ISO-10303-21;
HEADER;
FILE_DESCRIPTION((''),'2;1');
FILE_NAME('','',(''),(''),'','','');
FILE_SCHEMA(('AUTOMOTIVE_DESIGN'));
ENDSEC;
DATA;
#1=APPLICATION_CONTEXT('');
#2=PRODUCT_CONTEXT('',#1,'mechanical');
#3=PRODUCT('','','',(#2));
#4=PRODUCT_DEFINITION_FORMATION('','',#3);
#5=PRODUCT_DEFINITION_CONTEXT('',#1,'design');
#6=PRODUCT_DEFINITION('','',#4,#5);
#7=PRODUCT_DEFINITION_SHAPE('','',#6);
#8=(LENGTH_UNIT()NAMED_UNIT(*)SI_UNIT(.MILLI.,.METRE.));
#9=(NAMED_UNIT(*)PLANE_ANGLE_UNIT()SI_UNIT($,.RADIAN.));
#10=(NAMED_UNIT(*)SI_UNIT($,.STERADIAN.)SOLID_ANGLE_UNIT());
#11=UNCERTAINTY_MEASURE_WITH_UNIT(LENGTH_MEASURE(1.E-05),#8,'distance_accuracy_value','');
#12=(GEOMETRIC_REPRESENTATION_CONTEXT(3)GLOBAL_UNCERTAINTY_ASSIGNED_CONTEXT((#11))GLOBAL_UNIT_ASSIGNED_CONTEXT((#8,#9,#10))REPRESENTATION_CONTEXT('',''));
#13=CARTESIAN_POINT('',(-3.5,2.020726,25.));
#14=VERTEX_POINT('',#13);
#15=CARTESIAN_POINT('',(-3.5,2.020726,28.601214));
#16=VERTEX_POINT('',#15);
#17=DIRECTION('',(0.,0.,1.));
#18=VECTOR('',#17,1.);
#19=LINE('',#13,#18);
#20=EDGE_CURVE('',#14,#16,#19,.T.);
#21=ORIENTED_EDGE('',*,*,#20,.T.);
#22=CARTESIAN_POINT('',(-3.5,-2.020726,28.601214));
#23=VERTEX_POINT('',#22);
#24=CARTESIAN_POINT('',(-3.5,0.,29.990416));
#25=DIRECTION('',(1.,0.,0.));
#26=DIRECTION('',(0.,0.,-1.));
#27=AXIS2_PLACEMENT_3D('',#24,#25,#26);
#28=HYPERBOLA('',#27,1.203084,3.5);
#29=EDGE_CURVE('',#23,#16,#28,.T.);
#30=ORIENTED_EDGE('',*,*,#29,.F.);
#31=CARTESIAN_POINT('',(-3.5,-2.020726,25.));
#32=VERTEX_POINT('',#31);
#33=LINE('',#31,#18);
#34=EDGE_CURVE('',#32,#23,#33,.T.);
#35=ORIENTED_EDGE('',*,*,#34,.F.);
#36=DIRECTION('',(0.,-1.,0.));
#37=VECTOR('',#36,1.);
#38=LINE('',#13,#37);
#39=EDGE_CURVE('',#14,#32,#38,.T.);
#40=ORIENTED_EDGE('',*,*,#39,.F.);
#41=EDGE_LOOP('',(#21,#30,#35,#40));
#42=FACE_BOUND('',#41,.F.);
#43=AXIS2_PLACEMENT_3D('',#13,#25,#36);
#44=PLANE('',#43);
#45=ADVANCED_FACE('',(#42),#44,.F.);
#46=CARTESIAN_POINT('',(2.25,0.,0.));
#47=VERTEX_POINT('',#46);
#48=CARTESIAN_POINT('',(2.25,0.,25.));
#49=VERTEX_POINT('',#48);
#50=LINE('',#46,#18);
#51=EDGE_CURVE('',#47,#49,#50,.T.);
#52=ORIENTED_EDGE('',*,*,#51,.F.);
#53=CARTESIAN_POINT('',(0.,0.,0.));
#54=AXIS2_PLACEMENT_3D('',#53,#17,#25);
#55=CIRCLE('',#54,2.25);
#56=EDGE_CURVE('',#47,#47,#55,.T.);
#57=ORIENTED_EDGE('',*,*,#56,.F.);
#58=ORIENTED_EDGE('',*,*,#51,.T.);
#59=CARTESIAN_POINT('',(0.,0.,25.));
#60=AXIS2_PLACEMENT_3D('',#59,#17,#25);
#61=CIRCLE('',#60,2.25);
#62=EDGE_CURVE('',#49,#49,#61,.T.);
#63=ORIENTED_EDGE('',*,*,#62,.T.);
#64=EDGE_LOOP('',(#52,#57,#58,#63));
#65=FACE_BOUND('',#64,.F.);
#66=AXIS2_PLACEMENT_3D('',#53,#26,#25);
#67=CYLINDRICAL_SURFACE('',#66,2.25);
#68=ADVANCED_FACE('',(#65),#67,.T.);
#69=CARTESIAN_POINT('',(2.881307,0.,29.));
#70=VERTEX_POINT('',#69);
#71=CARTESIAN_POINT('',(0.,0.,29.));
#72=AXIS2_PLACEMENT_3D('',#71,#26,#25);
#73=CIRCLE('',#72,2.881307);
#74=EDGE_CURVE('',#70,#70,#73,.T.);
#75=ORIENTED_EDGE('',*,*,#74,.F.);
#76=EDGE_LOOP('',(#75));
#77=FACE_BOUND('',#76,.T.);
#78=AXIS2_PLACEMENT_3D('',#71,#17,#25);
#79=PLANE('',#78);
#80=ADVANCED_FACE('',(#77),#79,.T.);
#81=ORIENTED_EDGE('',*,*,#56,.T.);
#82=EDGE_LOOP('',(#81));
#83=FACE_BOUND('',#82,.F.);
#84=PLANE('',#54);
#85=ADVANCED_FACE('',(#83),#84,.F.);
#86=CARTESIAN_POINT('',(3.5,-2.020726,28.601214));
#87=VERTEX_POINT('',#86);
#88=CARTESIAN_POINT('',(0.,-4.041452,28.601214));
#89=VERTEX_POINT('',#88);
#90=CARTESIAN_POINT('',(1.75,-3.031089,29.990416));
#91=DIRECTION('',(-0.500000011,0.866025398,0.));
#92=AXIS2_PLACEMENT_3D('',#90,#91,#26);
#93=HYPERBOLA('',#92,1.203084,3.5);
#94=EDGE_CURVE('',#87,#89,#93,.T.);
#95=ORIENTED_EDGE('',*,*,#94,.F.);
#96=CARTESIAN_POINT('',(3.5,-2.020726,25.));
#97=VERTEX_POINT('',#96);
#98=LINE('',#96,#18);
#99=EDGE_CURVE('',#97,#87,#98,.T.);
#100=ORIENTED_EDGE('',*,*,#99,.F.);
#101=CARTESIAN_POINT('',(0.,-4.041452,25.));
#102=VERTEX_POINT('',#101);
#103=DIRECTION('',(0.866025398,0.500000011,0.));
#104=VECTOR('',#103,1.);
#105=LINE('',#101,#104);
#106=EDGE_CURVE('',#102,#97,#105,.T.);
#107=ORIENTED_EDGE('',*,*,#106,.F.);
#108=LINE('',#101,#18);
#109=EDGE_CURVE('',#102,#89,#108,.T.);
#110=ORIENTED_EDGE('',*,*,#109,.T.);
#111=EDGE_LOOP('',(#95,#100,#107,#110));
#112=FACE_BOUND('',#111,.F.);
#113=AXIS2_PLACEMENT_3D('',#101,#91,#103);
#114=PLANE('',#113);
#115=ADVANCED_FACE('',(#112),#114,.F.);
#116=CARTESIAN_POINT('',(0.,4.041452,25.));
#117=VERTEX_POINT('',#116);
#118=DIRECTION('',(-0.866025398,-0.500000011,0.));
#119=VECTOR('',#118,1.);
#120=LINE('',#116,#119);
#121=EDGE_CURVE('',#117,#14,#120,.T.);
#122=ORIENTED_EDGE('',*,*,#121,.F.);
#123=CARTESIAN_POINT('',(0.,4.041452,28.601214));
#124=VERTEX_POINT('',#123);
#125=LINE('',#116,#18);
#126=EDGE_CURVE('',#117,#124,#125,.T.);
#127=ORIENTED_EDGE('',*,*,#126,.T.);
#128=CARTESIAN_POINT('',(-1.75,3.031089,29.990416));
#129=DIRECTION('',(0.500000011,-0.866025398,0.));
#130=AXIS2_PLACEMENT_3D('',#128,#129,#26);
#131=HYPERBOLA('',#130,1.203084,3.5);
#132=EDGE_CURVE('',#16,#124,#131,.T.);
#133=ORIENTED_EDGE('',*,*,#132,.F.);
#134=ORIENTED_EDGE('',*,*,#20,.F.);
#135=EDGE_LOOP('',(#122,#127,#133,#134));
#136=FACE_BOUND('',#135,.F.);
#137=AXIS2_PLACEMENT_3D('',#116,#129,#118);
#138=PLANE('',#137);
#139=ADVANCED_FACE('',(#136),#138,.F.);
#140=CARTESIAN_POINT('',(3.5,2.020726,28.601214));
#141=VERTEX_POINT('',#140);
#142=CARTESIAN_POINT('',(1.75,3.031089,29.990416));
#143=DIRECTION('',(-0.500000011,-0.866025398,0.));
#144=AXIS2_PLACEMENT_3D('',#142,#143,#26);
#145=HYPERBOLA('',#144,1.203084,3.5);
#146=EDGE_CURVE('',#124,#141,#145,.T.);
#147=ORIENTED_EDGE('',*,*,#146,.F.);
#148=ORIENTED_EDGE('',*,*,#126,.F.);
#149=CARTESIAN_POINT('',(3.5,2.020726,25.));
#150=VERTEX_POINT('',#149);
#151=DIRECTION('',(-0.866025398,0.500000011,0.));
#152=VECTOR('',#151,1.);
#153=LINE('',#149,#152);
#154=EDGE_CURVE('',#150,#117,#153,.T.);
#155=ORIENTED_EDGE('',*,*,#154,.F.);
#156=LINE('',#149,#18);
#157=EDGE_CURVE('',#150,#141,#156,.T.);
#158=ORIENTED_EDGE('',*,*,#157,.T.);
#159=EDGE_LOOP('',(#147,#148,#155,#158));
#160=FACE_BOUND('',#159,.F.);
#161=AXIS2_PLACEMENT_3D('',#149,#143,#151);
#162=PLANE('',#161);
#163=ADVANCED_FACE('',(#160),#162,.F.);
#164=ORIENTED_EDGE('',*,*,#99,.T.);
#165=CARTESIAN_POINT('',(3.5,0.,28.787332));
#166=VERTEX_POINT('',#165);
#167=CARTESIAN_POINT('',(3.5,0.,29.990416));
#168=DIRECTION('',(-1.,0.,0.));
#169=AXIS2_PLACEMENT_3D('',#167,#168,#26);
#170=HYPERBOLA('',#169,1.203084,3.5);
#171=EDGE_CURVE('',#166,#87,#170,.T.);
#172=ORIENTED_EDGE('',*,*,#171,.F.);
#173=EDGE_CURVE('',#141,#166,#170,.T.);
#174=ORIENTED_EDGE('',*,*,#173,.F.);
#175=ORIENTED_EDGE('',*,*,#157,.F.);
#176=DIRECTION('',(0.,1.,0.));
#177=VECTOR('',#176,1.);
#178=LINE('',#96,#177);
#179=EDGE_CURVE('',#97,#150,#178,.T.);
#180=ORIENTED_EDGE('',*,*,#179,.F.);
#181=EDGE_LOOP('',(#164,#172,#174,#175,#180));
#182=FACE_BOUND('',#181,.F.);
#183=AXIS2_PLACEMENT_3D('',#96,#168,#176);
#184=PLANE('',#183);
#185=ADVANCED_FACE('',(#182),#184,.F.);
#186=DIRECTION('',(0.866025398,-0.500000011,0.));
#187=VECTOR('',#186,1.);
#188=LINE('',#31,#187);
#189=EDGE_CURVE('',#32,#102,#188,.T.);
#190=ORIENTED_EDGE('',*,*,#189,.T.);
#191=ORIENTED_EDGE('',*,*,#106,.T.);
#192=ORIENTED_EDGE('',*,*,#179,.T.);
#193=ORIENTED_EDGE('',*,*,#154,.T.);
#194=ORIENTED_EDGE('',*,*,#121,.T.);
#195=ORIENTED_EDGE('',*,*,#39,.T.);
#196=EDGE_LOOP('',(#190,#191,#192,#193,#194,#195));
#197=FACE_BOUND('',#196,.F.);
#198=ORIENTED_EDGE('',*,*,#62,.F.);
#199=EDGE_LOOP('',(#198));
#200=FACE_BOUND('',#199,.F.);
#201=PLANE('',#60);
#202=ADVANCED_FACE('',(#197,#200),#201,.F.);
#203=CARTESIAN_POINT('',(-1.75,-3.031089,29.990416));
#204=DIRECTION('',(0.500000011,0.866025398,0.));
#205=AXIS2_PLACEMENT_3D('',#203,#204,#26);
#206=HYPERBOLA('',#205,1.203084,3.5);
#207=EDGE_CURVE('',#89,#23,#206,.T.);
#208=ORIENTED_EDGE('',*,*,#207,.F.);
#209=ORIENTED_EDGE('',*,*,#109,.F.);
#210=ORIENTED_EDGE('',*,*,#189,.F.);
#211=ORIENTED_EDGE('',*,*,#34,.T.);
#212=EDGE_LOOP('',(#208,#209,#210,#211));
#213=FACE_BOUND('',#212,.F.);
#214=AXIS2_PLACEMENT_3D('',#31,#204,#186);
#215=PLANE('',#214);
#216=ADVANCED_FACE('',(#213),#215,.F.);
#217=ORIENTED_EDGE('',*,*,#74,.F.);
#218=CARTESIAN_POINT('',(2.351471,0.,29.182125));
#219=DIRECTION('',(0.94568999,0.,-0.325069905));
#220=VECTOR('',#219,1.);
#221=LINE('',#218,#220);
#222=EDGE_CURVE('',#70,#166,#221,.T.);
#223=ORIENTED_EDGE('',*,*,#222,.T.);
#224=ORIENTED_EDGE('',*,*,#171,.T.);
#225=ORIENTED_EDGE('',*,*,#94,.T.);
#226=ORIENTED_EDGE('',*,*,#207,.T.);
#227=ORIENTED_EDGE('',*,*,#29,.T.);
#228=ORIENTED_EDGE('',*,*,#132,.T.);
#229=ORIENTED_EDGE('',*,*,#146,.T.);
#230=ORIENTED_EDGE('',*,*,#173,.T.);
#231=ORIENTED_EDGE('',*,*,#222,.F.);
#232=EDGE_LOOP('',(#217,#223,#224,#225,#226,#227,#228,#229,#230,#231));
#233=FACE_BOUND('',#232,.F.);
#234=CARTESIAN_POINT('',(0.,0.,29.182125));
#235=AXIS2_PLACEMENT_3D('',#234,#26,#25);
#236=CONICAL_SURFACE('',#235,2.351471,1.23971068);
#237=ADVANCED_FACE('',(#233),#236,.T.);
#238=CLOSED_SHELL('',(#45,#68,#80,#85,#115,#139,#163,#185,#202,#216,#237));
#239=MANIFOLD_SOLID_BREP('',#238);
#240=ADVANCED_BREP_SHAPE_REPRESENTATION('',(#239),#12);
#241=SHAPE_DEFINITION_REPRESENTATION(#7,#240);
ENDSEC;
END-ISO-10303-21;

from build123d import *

# Parameters (mm, degrees)
SKETCH_R     = 2.25
PAD_DEPTH    = 25
PAD001_DEPTH = 4


with BuildPart() as revolution:
    # Sketch002 → Revolution (revolve)
    with BuildSketch(Plane.XZ):
        Polygon((0, 29.182125), (2.351471, 29.182125), (4.653152, 28.390949), (4.653152, 29.641115), (0, 29.641115), align=None)
    revolve(axis=Axis((0, 0, 0), (0, 0, 1)))


with BuildPart() as tornillo:
    # Sketch → Pad (new body)
    with BuildSketch(Plane.XY):
        Circle(SKETCH_R)
    extrude(amount=PAD_DEPTH)

    # Sketch001 → Pad001 (new body)
    with BuildSketch(Plane.XY.offset(25)):
        Polygon((3.5, 2.020726), (0, 4.041452), (-3.5, 2.020726), (-3.5, -2.020726), (0, -4.041452), (3.5, -2.020726), align=None)
    extrude(amount=PAD001_DEPTH)

    # Cut: cut Revolution
    add(revolution.part, mode=Mode.SUBTRACT)


solid = tornillo.part
